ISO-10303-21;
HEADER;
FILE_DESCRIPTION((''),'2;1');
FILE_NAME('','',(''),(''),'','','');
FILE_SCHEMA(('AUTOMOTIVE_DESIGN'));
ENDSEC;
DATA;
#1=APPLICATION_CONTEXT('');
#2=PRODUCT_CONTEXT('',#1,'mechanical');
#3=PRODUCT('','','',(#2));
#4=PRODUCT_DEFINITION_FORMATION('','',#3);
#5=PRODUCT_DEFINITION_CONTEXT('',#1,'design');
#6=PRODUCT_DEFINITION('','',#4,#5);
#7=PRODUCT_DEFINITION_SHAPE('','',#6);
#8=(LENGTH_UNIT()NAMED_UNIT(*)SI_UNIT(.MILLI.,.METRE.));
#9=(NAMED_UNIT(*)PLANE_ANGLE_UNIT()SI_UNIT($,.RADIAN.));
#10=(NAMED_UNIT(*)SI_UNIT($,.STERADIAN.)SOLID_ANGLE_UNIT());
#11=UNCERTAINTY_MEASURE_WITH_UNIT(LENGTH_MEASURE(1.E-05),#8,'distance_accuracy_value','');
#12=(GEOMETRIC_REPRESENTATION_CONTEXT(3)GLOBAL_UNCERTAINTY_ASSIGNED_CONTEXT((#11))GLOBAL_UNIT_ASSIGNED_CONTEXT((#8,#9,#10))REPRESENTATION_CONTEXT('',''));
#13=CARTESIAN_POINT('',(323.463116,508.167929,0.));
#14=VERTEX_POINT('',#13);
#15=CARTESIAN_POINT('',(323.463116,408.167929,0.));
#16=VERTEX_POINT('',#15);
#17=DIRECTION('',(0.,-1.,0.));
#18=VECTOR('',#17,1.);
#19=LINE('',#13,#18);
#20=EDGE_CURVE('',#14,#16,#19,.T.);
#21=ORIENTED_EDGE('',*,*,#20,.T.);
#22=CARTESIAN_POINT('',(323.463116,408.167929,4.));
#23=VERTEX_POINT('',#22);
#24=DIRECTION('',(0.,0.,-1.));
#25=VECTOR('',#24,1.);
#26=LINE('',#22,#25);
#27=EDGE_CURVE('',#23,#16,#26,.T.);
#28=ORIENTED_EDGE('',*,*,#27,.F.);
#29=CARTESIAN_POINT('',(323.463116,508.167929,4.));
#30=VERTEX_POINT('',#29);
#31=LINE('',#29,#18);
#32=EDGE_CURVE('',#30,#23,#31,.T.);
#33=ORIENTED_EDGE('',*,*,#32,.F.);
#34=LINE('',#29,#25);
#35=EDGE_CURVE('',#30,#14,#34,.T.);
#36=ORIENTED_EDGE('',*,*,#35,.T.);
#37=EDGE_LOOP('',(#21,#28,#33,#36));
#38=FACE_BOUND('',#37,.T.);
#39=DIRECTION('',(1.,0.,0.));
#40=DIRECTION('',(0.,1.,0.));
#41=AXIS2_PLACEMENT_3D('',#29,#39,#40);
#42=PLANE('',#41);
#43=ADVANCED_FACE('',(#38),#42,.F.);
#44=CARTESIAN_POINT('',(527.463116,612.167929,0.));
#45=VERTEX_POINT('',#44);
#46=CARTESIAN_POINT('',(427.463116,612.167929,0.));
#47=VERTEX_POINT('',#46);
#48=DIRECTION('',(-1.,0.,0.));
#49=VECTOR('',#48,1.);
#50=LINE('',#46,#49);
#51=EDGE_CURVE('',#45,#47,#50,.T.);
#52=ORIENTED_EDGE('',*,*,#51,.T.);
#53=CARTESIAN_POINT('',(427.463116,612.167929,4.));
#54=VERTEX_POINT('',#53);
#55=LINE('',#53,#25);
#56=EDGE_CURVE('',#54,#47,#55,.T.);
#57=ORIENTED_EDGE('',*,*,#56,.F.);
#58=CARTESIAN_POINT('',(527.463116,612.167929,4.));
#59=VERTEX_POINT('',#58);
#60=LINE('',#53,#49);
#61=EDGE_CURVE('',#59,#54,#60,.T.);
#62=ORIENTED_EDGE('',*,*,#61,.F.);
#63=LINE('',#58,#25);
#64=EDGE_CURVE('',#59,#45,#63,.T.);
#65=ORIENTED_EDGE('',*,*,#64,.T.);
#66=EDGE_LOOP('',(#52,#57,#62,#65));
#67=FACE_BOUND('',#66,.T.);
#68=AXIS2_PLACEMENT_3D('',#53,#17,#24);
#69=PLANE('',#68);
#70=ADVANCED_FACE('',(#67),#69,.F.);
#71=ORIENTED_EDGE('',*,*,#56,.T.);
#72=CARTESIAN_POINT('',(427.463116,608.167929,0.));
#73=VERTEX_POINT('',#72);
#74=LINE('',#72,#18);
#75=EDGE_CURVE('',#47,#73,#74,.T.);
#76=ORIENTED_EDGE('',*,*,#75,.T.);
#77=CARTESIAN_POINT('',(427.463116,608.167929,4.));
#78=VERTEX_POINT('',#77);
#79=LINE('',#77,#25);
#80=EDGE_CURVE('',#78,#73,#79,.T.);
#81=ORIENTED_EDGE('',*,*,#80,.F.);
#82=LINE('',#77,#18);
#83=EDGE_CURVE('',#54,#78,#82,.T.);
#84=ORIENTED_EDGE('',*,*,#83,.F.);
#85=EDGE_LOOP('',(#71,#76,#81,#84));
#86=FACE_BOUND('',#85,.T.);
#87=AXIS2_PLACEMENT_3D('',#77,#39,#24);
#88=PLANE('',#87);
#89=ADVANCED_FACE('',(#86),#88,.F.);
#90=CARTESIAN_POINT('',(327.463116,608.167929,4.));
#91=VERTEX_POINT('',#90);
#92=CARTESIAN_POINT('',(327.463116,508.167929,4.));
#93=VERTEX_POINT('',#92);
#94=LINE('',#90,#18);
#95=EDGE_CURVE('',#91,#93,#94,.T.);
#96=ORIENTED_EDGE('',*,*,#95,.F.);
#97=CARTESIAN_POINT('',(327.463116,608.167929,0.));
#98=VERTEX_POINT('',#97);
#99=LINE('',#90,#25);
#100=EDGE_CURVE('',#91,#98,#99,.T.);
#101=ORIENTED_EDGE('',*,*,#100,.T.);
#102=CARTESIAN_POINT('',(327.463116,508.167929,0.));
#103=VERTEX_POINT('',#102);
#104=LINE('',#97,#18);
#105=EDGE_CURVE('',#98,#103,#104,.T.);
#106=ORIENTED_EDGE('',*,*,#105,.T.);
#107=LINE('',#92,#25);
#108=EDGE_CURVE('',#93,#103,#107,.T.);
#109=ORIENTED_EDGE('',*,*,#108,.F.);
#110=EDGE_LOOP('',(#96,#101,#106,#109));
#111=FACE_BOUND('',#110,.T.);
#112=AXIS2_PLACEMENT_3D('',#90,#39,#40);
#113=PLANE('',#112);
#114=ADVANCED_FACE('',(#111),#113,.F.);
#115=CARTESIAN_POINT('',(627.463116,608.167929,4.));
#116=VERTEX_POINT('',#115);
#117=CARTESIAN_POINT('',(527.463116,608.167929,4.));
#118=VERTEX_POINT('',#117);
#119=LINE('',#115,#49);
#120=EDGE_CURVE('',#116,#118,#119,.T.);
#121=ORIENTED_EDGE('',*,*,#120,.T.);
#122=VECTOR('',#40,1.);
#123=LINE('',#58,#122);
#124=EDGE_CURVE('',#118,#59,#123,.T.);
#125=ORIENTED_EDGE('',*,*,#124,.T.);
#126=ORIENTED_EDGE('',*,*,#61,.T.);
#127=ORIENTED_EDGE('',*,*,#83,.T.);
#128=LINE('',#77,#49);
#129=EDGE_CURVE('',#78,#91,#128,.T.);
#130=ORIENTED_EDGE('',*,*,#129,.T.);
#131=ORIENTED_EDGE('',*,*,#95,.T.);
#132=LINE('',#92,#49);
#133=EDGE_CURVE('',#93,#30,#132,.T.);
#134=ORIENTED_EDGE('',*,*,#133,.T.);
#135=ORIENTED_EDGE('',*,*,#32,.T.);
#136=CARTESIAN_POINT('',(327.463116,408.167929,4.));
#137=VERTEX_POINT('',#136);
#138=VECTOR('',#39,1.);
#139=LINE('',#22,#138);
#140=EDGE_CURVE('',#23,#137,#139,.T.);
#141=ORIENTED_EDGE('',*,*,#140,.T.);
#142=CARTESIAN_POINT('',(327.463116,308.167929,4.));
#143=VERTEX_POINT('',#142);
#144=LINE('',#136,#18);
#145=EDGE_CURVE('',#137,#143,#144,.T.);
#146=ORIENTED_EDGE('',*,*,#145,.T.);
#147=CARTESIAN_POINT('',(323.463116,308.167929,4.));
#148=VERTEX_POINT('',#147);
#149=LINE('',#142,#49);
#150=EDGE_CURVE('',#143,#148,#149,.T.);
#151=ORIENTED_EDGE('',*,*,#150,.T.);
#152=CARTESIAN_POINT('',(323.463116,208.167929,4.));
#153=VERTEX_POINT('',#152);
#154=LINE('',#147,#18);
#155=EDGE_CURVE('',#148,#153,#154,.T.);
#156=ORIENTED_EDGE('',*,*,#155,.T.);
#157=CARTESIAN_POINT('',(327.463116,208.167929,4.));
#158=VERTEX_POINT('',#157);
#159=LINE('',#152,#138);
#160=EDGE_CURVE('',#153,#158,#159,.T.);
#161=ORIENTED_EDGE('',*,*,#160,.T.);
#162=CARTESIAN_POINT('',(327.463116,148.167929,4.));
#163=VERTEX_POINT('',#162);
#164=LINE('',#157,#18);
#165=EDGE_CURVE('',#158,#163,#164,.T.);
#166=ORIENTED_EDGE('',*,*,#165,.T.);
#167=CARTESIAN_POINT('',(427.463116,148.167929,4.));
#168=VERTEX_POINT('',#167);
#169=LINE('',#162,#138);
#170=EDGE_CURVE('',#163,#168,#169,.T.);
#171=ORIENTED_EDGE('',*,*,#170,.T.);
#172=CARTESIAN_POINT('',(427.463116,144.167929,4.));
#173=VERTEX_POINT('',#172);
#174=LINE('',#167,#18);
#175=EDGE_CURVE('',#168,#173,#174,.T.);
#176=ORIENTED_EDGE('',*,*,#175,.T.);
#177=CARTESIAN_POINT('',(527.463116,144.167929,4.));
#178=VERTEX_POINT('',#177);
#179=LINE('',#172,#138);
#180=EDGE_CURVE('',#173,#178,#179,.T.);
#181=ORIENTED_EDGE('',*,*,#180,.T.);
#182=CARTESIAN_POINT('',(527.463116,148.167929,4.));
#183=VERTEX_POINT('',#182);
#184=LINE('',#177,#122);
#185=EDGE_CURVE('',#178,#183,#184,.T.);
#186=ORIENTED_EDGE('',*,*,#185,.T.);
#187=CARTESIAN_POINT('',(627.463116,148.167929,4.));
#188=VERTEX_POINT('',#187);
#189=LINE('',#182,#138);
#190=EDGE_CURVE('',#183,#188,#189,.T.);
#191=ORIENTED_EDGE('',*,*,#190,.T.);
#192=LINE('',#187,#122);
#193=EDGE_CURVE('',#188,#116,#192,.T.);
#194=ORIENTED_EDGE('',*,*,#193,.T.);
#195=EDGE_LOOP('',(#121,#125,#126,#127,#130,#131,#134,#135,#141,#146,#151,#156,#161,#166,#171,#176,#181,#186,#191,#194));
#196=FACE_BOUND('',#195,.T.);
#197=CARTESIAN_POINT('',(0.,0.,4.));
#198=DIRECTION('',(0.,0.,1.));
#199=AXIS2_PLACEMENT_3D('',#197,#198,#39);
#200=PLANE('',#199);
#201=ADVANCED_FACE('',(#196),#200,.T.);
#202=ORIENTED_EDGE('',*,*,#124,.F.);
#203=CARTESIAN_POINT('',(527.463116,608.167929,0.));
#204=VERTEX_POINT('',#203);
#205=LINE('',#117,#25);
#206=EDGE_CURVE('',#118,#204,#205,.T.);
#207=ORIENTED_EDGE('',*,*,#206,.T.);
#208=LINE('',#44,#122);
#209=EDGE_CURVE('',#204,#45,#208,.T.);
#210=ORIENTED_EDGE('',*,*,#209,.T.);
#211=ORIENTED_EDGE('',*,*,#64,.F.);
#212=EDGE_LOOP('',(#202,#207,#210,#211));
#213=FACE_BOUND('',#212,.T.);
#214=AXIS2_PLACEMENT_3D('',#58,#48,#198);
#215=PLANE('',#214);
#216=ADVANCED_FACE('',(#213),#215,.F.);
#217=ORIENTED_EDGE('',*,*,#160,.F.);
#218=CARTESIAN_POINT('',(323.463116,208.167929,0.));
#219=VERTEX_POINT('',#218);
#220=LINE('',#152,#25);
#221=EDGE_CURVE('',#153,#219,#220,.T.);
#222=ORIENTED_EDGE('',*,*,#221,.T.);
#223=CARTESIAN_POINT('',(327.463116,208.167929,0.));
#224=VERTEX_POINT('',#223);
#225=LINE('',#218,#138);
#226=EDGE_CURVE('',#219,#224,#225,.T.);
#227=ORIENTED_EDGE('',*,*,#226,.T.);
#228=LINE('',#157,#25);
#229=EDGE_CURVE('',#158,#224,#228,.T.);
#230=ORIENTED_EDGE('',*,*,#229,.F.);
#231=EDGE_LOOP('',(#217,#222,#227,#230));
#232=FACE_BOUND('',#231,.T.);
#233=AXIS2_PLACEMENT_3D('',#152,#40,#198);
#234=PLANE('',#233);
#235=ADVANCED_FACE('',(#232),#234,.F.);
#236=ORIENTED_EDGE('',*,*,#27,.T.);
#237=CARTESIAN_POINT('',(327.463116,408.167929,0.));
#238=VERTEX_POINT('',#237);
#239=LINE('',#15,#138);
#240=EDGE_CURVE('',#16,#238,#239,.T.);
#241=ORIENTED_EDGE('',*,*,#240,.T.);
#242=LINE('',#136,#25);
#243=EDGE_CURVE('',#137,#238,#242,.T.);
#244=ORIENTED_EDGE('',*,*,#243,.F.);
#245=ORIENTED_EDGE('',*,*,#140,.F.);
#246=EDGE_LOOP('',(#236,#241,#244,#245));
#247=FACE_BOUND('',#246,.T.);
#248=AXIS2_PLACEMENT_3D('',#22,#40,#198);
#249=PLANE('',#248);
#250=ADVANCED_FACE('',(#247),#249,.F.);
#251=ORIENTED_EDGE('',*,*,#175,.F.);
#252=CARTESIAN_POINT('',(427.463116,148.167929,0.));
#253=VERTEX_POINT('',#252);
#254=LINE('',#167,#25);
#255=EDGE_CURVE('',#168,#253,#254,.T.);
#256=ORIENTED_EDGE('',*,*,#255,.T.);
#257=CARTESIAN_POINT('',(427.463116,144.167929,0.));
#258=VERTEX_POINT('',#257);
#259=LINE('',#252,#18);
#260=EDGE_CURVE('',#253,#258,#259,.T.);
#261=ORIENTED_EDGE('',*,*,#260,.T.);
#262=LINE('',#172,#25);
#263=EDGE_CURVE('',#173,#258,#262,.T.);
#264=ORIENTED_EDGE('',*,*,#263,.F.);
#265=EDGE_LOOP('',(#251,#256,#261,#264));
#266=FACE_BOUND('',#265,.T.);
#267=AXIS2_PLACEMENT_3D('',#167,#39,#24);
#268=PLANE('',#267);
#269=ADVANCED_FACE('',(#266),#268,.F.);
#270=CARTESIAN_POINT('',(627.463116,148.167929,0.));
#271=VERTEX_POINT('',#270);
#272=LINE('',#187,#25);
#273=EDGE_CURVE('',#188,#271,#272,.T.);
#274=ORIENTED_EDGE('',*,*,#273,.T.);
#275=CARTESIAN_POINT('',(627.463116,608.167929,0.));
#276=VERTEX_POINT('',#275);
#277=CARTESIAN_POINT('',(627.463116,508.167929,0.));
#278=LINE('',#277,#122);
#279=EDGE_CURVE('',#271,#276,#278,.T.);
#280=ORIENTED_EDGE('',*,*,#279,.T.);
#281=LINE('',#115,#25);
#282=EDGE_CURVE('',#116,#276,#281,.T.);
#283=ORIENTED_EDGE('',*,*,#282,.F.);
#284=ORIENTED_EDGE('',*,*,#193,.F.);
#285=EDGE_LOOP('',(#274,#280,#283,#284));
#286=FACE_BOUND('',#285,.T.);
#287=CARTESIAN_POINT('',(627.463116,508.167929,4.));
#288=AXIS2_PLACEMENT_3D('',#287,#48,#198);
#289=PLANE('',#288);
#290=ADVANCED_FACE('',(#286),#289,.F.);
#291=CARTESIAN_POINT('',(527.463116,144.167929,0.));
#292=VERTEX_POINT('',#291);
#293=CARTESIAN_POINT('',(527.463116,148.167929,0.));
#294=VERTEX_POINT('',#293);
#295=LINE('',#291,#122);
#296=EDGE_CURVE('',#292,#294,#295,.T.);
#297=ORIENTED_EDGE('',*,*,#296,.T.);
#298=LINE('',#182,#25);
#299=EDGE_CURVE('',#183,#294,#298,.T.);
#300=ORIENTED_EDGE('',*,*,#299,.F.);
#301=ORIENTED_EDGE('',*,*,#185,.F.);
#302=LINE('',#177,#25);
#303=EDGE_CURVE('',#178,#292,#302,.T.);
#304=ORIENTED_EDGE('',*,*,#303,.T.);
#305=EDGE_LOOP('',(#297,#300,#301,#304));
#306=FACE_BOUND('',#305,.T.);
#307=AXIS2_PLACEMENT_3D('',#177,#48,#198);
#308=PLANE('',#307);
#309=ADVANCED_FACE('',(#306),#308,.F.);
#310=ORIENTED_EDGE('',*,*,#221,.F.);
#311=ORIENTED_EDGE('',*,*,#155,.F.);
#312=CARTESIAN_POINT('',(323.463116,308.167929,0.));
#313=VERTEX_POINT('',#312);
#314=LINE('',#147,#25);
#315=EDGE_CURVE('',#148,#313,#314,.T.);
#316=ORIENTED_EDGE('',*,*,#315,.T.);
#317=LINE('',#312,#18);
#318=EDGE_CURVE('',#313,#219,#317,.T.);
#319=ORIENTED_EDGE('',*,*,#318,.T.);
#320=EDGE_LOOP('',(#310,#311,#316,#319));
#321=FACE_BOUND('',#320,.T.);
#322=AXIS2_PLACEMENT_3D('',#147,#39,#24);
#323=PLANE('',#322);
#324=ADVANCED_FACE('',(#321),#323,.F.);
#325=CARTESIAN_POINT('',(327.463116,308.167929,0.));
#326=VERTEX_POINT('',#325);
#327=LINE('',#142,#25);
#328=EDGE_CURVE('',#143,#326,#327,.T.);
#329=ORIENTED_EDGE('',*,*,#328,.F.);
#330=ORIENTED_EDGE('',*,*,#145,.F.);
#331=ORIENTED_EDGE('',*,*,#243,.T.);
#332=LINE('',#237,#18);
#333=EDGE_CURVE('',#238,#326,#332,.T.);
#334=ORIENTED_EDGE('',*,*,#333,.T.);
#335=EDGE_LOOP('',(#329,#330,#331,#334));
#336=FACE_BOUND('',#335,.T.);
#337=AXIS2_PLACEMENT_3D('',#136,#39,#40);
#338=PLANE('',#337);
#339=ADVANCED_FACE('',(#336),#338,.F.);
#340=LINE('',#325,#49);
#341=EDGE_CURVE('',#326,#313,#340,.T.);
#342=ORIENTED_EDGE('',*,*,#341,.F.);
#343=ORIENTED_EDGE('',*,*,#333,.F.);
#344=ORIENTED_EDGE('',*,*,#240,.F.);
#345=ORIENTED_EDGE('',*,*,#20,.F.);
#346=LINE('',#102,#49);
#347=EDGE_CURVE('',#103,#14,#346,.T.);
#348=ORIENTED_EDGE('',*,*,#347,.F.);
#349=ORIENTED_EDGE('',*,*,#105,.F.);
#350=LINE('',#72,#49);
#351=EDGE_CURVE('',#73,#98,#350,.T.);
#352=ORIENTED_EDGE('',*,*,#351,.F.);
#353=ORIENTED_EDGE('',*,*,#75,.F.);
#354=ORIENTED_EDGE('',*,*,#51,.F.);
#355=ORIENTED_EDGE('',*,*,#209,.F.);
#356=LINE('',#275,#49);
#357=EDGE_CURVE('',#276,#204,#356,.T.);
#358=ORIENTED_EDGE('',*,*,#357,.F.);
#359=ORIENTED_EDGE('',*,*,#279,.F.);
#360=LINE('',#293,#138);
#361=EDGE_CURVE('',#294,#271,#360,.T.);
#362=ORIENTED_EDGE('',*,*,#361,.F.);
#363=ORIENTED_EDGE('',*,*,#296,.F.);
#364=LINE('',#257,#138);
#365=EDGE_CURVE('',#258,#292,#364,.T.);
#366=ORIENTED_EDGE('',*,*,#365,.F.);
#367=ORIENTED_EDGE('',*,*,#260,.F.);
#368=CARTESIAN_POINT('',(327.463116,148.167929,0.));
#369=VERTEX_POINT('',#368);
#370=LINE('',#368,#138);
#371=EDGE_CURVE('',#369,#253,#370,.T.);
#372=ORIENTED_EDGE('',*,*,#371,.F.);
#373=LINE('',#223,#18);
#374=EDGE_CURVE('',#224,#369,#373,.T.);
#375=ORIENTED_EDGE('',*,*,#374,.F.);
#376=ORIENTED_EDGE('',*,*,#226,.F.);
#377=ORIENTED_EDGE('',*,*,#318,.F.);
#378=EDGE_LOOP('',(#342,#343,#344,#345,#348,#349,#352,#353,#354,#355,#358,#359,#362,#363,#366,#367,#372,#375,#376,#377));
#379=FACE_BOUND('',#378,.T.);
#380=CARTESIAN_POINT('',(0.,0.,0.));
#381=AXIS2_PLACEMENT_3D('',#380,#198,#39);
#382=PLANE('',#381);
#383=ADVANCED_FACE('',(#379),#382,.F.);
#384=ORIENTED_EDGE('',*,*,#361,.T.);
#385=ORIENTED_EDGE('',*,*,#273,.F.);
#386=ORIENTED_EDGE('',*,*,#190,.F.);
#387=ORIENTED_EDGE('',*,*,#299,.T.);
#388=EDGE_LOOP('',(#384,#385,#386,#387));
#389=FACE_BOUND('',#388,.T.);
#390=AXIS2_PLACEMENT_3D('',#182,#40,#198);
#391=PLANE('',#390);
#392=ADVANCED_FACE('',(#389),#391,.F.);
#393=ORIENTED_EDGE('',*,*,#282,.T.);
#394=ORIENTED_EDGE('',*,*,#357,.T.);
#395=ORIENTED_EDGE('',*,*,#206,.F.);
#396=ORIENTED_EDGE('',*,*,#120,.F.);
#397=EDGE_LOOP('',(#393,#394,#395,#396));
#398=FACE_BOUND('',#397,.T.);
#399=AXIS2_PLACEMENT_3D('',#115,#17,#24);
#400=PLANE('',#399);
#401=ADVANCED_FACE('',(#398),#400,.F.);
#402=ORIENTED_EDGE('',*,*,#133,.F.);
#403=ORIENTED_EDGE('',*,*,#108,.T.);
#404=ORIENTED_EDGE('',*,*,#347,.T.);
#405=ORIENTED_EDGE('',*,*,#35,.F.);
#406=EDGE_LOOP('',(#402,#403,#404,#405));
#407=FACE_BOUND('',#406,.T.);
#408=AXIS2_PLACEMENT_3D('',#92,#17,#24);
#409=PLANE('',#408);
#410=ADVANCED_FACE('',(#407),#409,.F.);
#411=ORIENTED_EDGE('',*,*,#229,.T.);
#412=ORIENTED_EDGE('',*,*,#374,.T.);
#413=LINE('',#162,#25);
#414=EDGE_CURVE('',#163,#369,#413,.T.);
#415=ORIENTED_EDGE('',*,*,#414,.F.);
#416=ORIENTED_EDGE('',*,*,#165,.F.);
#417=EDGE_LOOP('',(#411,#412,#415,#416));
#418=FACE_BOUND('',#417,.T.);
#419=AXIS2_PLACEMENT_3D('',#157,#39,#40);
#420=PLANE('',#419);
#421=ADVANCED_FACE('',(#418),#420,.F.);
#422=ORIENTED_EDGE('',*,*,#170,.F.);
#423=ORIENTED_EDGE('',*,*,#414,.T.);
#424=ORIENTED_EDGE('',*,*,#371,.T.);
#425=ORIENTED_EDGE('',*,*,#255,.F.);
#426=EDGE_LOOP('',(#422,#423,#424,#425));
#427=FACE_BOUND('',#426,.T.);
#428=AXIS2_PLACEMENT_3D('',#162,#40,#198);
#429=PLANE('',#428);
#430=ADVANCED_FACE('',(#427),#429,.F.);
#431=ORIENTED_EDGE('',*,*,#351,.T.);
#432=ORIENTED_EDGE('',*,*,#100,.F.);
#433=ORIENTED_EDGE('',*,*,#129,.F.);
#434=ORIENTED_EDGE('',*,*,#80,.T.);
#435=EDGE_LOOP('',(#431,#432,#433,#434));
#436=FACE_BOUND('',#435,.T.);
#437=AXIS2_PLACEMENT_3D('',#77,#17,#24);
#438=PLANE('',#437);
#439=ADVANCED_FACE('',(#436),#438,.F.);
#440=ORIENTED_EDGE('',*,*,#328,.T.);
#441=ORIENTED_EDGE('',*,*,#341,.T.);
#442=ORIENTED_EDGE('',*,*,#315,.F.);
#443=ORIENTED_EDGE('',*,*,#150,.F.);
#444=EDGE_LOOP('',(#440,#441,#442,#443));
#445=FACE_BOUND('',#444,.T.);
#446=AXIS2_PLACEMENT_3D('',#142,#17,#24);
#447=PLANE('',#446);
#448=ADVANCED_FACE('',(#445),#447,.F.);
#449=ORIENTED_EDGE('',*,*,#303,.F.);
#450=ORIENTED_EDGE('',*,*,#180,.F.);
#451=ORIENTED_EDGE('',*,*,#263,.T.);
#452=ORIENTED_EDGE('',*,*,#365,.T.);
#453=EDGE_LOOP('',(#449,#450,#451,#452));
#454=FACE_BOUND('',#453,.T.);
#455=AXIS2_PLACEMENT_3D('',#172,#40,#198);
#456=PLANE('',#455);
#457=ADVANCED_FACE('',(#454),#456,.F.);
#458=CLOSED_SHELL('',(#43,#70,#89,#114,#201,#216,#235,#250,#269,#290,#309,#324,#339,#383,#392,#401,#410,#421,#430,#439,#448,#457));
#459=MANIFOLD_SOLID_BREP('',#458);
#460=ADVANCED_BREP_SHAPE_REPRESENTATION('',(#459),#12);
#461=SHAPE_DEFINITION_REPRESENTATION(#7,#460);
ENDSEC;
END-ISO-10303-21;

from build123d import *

# Parameters (mm, degrees)
EXTRUDE_1_DEPTH = 4


with BuildPart() as part:
    # 草图1 → 凸台-拉伸1 (new body)
    with BuildSketch(Plane.XY):
        Polygon((323.463115997, 208.167929075), (327.463115997, 208.167929075), (327.463115997, 148.167929075), (427.463115997, 148.167929075), (427.463115997, 144.167929075), (527.463115997, 144.167929075), (527.463115997, 148.167929075), (627.463115997, 148.167929075), (627.463115997, 208.167929075), (627.463115997, 508.167929075), (627.463115997, 608.167929075), (527.463115997, 608.167929075), (527.463115997, 612.167929075), (427.463115997, 612.167929075), (427.463115997, 608.167929075), (327.463115997, 608.167929075), (327.463115997, 508.167929075), (323.463115997, 508.167929075), (323.463115997, 408.167929075), (327.463115997, 408.167929075), (327.463115997, 308.167929075), (323.463115997, 308.167929075), align=None)
    extrude(amount=EXTRUDE_1_DEPTH)


solid = part.part
